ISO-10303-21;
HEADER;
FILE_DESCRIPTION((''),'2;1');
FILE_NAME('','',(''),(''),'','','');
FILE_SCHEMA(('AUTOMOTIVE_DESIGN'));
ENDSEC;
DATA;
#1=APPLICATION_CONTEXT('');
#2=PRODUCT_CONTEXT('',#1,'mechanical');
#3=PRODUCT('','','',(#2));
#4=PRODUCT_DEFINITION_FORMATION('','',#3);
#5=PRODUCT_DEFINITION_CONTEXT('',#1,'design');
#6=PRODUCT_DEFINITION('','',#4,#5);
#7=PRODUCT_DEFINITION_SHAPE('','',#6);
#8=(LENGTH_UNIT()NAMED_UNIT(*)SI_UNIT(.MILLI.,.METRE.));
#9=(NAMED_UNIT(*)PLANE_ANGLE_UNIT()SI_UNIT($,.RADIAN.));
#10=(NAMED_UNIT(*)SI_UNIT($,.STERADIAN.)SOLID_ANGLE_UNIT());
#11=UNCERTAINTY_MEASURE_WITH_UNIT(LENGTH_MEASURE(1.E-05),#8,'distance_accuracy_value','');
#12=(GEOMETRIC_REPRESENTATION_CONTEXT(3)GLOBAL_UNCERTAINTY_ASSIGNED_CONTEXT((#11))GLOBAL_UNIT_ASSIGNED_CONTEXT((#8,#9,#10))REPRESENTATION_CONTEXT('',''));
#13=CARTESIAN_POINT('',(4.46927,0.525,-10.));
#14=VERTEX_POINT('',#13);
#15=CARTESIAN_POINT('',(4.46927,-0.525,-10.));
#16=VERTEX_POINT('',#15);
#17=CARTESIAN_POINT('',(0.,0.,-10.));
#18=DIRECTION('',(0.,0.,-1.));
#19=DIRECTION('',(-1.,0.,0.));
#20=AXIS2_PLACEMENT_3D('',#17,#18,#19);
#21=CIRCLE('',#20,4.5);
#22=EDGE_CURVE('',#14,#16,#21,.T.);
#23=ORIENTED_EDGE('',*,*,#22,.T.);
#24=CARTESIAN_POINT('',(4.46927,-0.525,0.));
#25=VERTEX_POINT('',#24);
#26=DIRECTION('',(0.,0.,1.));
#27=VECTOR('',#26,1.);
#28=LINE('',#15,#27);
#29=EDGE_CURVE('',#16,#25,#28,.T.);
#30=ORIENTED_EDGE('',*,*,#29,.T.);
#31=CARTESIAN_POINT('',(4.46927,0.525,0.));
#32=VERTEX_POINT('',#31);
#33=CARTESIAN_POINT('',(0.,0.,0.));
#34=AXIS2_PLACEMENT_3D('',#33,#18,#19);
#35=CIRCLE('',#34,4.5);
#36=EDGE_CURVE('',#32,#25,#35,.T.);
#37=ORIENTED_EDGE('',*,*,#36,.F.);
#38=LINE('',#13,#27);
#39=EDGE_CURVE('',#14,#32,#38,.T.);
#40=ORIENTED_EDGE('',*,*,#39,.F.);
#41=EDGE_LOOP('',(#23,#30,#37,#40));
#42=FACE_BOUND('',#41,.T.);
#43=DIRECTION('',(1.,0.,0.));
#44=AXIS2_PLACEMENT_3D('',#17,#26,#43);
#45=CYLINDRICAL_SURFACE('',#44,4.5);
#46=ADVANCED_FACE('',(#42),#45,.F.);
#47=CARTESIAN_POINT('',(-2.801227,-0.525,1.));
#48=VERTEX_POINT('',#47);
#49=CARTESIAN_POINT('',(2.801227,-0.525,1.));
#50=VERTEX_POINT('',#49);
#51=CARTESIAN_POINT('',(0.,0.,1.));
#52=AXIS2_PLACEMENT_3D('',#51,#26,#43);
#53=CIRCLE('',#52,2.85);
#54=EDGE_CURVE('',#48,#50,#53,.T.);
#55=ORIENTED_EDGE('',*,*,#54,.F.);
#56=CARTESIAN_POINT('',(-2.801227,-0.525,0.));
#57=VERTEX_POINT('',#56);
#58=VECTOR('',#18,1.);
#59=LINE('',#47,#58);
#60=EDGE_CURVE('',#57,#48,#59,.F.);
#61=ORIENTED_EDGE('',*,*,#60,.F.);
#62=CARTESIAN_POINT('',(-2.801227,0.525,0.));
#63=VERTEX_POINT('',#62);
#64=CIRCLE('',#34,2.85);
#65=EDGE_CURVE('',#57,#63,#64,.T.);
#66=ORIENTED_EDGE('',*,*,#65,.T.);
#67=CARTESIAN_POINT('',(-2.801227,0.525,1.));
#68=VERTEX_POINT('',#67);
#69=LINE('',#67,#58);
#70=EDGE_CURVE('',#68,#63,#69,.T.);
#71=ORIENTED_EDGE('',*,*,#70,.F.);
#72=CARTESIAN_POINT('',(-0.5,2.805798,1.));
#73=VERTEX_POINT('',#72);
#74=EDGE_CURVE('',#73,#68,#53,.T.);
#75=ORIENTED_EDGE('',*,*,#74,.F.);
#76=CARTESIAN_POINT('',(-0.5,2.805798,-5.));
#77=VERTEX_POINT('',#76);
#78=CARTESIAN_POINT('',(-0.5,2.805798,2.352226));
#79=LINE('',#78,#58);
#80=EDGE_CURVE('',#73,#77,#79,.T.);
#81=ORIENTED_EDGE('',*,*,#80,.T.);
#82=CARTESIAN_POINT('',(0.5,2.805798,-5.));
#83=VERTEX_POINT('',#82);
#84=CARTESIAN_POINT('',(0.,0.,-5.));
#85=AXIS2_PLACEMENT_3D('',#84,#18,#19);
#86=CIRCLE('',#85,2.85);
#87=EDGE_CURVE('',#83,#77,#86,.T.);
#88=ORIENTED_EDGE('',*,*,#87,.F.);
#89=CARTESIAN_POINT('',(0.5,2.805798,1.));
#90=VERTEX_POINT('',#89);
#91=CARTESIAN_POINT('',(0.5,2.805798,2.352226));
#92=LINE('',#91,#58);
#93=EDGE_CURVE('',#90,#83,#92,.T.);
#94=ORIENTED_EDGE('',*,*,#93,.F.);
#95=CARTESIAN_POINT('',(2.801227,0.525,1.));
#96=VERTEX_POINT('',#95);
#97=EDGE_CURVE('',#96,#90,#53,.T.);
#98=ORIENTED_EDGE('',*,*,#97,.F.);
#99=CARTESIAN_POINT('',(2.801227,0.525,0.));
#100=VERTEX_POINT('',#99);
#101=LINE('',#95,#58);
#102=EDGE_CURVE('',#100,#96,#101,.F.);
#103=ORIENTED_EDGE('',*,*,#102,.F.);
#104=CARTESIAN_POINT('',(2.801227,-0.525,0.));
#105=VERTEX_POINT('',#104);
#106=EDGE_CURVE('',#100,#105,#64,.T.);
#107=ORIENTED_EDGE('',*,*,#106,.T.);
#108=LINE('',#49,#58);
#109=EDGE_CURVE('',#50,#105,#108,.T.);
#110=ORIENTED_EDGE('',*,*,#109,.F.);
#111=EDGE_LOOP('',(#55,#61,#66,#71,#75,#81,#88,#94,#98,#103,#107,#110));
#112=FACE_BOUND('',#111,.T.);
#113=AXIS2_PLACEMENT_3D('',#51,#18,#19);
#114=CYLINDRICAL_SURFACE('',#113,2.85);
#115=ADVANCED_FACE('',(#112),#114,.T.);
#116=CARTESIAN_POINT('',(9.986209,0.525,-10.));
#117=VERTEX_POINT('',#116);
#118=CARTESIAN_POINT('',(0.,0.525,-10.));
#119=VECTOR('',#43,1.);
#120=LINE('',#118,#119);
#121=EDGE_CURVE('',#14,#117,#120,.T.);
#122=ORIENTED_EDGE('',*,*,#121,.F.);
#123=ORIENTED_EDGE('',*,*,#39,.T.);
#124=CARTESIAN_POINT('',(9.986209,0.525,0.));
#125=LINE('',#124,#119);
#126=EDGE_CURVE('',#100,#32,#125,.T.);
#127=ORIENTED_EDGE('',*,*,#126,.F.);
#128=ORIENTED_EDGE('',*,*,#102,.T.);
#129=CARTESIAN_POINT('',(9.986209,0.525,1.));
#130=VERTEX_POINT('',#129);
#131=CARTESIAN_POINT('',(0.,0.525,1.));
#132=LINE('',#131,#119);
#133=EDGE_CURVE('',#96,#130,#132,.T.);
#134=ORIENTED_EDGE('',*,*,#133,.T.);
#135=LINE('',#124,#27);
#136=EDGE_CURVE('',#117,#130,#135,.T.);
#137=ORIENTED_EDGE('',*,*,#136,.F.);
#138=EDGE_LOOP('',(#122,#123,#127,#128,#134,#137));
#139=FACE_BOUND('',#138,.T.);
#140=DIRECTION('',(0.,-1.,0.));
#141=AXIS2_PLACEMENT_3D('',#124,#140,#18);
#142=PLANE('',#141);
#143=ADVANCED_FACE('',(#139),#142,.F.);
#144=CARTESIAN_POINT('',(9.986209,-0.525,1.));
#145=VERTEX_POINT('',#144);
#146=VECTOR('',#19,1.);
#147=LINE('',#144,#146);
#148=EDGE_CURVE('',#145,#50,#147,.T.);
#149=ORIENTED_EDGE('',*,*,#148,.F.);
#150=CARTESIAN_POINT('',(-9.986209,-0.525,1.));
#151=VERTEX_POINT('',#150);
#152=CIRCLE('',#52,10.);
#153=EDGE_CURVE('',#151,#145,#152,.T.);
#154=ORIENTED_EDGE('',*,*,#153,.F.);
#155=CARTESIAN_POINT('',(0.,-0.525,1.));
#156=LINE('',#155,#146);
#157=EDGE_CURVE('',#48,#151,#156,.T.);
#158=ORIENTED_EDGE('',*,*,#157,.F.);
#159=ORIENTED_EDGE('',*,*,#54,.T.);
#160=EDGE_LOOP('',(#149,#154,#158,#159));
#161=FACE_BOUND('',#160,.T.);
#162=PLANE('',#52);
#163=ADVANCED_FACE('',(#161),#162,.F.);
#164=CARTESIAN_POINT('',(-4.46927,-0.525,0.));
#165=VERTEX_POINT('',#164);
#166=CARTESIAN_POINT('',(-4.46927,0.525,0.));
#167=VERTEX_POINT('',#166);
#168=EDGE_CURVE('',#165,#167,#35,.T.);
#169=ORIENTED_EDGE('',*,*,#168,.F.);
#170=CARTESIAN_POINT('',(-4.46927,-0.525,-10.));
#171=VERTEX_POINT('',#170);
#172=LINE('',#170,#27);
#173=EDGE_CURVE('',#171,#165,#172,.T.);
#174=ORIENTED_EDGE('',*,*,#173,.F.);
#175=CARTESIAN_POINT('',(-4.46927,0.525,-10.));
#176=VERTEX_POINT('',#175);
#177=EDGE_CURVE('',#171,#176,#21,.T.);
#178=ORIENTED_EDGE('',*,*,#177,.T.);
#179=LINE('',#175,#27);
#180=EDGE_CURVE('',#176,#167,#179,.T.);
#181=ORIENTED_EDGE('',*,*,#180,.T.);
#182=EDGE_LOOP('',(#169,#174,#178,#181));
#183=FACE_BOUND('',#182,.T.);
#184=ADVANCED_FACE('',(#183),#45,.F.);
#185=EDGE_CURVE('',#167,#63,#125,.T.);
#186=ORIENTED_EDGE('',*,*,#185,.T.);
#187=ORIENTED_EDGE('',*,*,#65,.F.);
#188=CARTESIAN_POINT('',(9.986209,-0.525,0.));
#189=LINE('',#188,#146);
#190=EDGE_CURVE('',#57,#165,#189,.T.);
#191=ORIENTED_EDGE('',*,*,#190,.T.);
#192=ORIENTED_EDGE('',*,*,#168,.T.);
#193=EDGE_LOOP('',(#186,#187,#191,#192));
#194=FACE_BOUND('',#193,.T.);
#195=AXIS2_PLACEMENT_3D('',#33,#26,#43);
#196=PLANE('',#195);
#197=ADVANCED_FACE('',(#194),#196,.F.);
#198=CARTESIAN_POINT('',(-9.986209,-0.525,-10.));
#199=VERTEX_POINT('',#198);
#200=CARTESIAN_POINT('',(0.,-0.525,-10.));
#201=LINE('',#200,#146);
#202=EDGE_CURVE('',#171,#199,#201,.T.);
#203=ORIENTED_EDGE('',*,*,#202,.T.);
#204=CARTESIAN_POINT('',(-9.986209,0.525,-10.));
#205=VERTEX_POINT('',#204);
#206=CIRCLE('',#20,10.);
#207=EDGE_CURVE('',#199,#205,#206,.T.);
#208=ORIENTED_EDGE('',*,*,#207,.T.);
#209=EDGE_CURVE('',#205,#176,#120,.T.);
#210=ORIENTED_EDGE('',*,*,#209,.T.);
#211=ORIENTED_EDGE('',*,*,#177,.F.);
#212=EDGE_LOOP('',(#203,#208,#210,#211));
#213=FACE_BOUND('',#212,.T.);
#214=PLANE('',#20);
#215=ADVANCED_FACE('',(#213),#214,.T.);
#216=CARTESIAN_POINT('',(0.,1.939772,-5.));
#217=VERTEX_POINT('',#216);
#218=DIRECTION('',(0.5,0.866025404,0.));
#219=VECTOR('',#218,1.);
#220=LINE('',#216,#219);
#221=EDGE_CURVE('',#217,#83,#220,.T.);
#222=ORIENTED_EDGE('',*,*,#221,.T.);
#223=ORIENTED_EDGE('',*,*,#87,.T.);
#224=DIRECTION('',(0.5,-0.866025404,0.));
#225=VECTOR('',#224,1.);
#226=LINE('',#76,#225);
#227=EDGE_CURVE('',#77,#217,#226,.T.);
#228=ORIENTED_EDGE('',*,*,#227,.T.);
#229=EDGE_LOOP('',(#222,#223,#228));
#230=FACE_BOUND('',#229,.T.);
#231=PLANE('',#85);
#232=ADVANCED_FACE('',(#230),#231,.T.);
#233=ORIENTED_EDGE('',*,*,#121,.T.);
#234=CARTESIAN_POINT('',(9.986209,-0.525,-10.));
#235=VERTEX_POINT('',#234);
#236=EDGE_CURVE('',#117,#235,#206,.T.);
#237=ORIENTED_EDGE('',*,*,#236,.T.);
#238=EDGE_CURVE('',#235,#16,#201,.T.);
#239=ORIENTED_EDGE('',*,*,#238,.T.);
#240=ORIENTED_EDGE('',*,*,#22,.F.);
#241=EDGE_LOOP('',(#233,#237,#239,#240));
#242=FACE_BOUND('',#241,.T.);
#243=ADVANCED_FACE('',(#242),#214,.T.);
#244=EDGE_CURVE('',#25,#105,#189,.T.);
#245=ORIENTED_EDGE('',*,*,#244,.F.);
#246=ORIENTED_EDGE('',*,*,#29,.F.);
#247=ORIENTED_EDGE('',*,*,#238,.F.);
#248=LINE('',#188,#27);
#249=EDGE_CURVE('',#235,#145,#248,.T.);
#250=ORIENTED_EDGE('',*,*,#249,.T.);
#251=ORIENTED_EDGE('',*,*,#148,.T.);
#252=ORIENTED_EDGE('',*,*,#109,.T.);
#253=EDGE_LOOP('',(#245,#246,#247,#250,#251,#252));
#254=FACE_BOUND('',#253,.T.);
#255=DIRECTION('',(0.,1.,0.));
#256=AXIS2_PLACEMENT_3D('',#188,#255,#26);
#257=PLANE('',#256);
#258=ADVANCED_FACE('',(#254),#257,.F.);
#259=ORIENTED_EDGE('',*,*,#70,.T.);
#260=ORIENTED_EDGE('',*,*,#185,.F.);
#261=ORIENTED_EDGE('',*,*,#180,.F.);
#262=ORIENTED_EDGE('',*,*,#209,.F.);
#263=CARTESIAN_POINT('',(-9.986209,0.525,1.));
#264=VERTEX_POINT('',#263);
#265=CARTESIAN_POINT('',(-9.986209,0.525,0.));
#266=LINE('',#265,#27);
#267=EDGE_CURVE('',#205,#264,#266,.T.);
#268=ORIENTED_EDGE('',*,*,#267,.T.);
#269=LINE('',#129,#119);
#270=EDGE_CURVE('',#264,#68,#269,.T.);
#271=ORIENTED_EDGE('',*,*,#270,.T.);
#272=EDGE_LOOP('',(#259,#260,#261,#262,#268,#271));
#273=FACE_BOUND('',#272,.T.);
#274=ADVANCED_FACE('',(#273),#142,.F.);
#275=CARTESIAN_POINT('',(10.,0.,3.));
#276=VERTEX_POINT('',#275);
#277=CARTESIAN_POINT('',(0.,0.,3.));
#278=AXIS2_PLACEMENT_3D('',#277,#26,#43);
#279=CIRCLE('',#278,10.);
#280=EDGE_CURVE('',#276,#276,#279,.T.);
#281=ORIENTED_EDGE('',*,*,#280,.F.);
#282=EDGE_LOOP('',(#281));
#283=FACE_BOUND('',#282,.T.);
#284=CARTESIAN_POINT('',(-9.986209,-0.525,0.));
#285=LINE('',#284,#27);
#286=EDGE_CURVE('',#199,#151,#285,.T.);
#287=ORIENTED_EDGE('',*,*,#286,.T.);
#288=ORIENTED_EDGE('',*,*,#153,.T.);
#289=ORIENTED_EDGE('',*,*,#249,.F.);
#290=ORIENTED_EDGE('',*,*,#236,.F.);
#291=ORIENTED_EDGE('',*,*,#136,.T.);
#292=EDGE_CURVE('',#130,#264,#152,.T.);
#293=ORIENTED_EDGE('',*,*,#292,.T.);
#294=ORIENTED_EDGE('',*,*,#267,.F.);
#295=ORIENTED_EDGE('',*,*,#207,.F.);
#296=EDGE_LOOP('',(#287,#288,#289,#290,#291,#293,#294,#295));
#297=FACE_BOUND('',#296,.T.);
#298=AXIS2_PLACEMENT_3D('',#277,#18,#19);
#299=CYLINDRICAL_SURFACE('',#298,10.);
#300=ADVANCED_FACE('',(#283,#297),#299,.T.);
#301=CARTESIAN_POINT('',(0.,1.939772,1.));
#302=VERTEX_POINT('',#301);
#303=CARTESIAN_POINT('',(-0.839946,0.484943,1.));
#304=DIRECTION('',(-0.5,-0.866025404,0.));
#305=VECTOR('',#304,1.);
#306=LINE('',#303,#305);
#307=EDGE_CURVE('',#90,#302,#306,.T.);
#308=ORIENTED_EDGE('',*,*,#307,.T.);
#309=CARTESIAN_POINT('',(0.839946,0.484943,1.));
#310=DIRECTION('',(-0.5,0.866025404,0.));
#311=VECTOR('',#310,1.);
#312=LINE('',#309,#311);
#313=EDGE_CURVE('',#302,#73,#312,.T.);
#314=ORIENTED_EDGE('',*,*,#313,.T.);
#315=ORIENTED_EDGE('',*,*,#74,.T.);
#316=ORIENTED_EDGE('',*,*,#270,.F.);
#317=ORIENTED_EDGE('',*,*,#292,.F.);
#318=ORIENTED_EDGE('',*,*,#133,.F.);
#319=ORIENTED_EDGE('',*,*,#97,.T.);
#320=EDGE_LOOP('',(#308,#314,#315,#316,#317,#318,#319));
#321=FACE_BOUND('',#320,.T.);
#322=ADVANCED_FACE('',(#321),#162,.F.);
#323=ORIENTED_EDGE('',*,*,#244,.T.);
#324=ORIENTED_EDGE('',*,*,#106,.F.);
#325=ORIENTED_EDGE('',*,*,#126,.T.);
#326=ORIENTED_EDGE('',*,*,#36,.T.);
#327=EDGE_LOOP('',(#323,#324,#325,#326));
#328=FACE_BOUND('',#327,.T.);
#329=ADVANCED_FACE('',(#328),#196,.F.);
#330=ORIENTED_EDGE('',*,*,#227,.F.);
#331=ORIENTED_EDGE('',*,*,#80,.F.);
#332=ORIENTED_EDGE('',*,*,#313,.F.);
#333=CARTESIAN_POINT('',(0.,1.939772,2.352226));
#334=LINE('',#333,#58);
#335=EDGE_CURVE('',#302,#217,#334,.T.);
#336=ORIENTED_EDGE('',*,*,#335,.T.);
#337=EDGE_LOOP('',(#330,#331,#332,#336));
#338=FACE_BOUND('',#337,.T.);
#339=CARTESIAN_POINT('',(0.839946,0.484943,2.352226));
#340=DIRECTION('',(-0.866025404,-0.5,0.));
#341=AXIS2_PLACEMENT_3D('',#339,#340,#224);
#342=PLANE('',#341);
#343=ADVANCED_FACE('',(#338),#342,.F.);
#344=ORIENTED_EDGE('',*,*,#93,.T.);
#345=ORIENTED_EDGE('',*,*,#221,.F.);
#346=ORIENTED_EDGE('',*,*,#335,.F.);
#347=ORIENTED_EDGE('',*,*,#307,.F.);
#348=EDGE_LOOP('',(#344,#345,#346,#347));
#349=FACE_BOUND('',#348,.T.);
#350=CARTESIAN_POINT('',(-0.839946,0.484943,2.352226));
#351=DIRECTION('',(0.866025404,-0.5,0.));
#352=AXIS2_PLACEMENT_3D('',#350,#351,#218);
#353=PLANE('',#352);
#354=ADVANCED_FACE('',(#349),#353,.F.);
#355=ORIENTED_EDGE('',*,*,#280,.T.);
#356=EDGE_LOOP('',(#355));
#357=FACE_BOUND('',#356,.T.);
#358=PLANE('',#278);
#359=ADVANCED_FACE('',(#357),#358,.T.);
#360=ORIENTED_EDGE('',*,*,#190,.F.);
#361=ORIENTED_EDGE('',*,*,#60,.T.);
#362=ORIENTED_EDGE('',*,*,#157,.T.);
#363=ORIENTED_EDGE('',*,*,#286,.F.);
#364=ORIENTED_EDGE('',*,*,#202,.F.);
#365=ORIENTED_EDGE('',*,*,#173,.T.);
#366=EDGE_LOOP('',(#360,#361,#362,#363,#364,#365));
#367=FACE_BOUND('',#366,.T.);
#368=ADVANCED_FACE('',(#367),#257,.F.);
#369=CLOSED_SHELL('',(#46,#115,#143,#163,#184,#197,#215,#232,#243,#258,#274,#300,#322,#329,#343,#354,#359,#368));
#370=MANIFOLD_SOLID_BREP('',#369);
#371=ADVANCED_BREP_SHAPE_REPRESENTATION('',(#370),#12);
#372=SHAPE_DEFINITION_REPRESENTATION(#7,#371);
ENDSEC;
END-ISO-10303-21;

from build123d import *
from build123d.topology import SkipClean

# Parameters (mm, degrees)
SKETCH1_R           = 2.85
BOSS_EXTRUDE1_DEPTH = 1
SKETCH2_R           = 10
BOSS_EXTRUDE2_DEPTH = 2
BOSS_EXTRUDE3_START = 1
BOSS_EXTRUDE3_DEPTH = 1
CUT_EXTRUDE1_DEPTH  = 1
BOSS_EXTRUDE4_START = 5
BOSS_EXTRUDE4_DEPTH = 5
BOSS_EXTRUDE5_START = 10
BOSS_EXTRUDE5_DEPTH = 10


with BuildPart() as part:
    # Sketch1 → Boss-Extrude1 (new body)
    with BuildSketch(Plane.XY):
        Circle(SKETCH1_R)
    extrude(amount=BOSS_EXTRUDE1_DEPTH)

    # Sketch2 → Boss-Extrude2 (add)
    with BuildSketch(Plane.XY.offset(1)):
        Circle(SKETCH2_R)
    extrude(amount=BOSS_EXTRUDE2_DEPTH)

    # Sketch3 → Boss-Extrude3 (add)
    with BuildSketch(Plane(origin=(0, 0, 1), x_dir=(-1, 0, 0), z_dir=(0, 0, -1)).offset(BOSS_EXTRUDE3_START)):
        with BuildLine():
            Line((-9.986209241, 0.525), (9.986209241, 0.525))
            ThreePointArc((9.986209241, 0.525), (10, 0), (9.986209241, -0.525))
            Line((9.986209241, -0.525), (-9.986209241, -0.525))
            ThreePointArc((-9.986209241, -0.525), (-10, 0), (-9.986209241, 0.525))
        make_face()
    extrude(amount=-BOSS_EXTRUDE3_DEPTH)

    # Sketch4 → Cut-Extrude1 (cut)
    with BuildSketch(Plane(origin=(0, 0, 0), x_dir=(-1, 0, 0), z_dir=(0, 0, -1))):
        with BuildLine():
            ThreePointArc((0.5, 2.805797569), (0, 2.85), (-0.5, 2.805797569))
            Line((-0.5, 2.805797569), (0, 1.939772166))
            Line((0, 1.939772166), (0.5, 2.805797569))
        make_face()
    extrude(amount=-CUT_EXTRUDE1_DEPTH, mode=Mode.SUBTRACT)

    # Sketch5 → Boss-Extrude4 (add)
    with SkipClean():  # the faces are left unmerged after this step: merging them gives an invalid solid
        with BuildSketch(Plane(origin=(0, 0, 0), x_dir=(-1, 0, 0), z_dir=(0, 0, -1)).offset(BOSS_EXTRUDE4_START)):
            with BuildLine():
                ThreePointArc((2.80122741, 0.525), (2.006248985, 2.024219605), (0.5, 2.805797569))
                Line((0.5, 2.805797569), (0, 1.939772166))
                Line((0, 1.939772166), (-0.5, 2.805797569))
                ThreePointArc((-0.5, 2.805797569), (-2.006248985, 2.024219605), (-2.80122741, 0.525))
                ThreePointArc((-2.80122741, 0.525), (-2.85, 0), (-2.80122741, -0.525))
                ThreePointArc((-2.80122741, -0.525), (0, -2.85), (2.80122741, -0.525))
                ThreePointArc((2.80122741, -0.525), (2.85, 0), (2.80122741, 0.525))
            make_face()
        extrude(amount=-BOSS_EXTRUDE4_DEPTH)

    # Sketch6 → Boss-Extrude5 (add)
    with SkipClean():  # the faces are left unmerged after this step: merging them gives an invalid solid
        with BuildSketch(Plane(origin=(0, 0, 0), x_dir=(-1, 0, 0), z_dir=(0, 0, -1)).offset(BOSS_EXTRUDE5_START)):
            with BuildLine():
                ThreePointArc((-4.469270075, -0.525), (-4.5, 0), (-4.469270075, 0.525))
                Line((-4.469270075, 0.525), (-9.986209241, 0.525))
                ThreePointArc((-9.986209241, 0.525), (-10, 0), (-9.986209241, -0.525))
                Line((-9.986209241, -0.525), (-4.469270075, -0.525))
            make_face()
            with BuildLine():
                ThreePointArc((4.469270075, 0.525), (4.5, 0), (4.469270075, -0.525))
                Line((4.469270075, -0.525), (9.986209241, -0.525))
                ThreePointArc((9.986209241, -0.525), (10, 0), (9.986209241, 0.525))
                Line((9.986209241, 0.525), (4.469270075, 0.525))
            make_face()
        extrude(amount=-BOSS_EXTRUDE5_DEPTH)


solid = part.part
